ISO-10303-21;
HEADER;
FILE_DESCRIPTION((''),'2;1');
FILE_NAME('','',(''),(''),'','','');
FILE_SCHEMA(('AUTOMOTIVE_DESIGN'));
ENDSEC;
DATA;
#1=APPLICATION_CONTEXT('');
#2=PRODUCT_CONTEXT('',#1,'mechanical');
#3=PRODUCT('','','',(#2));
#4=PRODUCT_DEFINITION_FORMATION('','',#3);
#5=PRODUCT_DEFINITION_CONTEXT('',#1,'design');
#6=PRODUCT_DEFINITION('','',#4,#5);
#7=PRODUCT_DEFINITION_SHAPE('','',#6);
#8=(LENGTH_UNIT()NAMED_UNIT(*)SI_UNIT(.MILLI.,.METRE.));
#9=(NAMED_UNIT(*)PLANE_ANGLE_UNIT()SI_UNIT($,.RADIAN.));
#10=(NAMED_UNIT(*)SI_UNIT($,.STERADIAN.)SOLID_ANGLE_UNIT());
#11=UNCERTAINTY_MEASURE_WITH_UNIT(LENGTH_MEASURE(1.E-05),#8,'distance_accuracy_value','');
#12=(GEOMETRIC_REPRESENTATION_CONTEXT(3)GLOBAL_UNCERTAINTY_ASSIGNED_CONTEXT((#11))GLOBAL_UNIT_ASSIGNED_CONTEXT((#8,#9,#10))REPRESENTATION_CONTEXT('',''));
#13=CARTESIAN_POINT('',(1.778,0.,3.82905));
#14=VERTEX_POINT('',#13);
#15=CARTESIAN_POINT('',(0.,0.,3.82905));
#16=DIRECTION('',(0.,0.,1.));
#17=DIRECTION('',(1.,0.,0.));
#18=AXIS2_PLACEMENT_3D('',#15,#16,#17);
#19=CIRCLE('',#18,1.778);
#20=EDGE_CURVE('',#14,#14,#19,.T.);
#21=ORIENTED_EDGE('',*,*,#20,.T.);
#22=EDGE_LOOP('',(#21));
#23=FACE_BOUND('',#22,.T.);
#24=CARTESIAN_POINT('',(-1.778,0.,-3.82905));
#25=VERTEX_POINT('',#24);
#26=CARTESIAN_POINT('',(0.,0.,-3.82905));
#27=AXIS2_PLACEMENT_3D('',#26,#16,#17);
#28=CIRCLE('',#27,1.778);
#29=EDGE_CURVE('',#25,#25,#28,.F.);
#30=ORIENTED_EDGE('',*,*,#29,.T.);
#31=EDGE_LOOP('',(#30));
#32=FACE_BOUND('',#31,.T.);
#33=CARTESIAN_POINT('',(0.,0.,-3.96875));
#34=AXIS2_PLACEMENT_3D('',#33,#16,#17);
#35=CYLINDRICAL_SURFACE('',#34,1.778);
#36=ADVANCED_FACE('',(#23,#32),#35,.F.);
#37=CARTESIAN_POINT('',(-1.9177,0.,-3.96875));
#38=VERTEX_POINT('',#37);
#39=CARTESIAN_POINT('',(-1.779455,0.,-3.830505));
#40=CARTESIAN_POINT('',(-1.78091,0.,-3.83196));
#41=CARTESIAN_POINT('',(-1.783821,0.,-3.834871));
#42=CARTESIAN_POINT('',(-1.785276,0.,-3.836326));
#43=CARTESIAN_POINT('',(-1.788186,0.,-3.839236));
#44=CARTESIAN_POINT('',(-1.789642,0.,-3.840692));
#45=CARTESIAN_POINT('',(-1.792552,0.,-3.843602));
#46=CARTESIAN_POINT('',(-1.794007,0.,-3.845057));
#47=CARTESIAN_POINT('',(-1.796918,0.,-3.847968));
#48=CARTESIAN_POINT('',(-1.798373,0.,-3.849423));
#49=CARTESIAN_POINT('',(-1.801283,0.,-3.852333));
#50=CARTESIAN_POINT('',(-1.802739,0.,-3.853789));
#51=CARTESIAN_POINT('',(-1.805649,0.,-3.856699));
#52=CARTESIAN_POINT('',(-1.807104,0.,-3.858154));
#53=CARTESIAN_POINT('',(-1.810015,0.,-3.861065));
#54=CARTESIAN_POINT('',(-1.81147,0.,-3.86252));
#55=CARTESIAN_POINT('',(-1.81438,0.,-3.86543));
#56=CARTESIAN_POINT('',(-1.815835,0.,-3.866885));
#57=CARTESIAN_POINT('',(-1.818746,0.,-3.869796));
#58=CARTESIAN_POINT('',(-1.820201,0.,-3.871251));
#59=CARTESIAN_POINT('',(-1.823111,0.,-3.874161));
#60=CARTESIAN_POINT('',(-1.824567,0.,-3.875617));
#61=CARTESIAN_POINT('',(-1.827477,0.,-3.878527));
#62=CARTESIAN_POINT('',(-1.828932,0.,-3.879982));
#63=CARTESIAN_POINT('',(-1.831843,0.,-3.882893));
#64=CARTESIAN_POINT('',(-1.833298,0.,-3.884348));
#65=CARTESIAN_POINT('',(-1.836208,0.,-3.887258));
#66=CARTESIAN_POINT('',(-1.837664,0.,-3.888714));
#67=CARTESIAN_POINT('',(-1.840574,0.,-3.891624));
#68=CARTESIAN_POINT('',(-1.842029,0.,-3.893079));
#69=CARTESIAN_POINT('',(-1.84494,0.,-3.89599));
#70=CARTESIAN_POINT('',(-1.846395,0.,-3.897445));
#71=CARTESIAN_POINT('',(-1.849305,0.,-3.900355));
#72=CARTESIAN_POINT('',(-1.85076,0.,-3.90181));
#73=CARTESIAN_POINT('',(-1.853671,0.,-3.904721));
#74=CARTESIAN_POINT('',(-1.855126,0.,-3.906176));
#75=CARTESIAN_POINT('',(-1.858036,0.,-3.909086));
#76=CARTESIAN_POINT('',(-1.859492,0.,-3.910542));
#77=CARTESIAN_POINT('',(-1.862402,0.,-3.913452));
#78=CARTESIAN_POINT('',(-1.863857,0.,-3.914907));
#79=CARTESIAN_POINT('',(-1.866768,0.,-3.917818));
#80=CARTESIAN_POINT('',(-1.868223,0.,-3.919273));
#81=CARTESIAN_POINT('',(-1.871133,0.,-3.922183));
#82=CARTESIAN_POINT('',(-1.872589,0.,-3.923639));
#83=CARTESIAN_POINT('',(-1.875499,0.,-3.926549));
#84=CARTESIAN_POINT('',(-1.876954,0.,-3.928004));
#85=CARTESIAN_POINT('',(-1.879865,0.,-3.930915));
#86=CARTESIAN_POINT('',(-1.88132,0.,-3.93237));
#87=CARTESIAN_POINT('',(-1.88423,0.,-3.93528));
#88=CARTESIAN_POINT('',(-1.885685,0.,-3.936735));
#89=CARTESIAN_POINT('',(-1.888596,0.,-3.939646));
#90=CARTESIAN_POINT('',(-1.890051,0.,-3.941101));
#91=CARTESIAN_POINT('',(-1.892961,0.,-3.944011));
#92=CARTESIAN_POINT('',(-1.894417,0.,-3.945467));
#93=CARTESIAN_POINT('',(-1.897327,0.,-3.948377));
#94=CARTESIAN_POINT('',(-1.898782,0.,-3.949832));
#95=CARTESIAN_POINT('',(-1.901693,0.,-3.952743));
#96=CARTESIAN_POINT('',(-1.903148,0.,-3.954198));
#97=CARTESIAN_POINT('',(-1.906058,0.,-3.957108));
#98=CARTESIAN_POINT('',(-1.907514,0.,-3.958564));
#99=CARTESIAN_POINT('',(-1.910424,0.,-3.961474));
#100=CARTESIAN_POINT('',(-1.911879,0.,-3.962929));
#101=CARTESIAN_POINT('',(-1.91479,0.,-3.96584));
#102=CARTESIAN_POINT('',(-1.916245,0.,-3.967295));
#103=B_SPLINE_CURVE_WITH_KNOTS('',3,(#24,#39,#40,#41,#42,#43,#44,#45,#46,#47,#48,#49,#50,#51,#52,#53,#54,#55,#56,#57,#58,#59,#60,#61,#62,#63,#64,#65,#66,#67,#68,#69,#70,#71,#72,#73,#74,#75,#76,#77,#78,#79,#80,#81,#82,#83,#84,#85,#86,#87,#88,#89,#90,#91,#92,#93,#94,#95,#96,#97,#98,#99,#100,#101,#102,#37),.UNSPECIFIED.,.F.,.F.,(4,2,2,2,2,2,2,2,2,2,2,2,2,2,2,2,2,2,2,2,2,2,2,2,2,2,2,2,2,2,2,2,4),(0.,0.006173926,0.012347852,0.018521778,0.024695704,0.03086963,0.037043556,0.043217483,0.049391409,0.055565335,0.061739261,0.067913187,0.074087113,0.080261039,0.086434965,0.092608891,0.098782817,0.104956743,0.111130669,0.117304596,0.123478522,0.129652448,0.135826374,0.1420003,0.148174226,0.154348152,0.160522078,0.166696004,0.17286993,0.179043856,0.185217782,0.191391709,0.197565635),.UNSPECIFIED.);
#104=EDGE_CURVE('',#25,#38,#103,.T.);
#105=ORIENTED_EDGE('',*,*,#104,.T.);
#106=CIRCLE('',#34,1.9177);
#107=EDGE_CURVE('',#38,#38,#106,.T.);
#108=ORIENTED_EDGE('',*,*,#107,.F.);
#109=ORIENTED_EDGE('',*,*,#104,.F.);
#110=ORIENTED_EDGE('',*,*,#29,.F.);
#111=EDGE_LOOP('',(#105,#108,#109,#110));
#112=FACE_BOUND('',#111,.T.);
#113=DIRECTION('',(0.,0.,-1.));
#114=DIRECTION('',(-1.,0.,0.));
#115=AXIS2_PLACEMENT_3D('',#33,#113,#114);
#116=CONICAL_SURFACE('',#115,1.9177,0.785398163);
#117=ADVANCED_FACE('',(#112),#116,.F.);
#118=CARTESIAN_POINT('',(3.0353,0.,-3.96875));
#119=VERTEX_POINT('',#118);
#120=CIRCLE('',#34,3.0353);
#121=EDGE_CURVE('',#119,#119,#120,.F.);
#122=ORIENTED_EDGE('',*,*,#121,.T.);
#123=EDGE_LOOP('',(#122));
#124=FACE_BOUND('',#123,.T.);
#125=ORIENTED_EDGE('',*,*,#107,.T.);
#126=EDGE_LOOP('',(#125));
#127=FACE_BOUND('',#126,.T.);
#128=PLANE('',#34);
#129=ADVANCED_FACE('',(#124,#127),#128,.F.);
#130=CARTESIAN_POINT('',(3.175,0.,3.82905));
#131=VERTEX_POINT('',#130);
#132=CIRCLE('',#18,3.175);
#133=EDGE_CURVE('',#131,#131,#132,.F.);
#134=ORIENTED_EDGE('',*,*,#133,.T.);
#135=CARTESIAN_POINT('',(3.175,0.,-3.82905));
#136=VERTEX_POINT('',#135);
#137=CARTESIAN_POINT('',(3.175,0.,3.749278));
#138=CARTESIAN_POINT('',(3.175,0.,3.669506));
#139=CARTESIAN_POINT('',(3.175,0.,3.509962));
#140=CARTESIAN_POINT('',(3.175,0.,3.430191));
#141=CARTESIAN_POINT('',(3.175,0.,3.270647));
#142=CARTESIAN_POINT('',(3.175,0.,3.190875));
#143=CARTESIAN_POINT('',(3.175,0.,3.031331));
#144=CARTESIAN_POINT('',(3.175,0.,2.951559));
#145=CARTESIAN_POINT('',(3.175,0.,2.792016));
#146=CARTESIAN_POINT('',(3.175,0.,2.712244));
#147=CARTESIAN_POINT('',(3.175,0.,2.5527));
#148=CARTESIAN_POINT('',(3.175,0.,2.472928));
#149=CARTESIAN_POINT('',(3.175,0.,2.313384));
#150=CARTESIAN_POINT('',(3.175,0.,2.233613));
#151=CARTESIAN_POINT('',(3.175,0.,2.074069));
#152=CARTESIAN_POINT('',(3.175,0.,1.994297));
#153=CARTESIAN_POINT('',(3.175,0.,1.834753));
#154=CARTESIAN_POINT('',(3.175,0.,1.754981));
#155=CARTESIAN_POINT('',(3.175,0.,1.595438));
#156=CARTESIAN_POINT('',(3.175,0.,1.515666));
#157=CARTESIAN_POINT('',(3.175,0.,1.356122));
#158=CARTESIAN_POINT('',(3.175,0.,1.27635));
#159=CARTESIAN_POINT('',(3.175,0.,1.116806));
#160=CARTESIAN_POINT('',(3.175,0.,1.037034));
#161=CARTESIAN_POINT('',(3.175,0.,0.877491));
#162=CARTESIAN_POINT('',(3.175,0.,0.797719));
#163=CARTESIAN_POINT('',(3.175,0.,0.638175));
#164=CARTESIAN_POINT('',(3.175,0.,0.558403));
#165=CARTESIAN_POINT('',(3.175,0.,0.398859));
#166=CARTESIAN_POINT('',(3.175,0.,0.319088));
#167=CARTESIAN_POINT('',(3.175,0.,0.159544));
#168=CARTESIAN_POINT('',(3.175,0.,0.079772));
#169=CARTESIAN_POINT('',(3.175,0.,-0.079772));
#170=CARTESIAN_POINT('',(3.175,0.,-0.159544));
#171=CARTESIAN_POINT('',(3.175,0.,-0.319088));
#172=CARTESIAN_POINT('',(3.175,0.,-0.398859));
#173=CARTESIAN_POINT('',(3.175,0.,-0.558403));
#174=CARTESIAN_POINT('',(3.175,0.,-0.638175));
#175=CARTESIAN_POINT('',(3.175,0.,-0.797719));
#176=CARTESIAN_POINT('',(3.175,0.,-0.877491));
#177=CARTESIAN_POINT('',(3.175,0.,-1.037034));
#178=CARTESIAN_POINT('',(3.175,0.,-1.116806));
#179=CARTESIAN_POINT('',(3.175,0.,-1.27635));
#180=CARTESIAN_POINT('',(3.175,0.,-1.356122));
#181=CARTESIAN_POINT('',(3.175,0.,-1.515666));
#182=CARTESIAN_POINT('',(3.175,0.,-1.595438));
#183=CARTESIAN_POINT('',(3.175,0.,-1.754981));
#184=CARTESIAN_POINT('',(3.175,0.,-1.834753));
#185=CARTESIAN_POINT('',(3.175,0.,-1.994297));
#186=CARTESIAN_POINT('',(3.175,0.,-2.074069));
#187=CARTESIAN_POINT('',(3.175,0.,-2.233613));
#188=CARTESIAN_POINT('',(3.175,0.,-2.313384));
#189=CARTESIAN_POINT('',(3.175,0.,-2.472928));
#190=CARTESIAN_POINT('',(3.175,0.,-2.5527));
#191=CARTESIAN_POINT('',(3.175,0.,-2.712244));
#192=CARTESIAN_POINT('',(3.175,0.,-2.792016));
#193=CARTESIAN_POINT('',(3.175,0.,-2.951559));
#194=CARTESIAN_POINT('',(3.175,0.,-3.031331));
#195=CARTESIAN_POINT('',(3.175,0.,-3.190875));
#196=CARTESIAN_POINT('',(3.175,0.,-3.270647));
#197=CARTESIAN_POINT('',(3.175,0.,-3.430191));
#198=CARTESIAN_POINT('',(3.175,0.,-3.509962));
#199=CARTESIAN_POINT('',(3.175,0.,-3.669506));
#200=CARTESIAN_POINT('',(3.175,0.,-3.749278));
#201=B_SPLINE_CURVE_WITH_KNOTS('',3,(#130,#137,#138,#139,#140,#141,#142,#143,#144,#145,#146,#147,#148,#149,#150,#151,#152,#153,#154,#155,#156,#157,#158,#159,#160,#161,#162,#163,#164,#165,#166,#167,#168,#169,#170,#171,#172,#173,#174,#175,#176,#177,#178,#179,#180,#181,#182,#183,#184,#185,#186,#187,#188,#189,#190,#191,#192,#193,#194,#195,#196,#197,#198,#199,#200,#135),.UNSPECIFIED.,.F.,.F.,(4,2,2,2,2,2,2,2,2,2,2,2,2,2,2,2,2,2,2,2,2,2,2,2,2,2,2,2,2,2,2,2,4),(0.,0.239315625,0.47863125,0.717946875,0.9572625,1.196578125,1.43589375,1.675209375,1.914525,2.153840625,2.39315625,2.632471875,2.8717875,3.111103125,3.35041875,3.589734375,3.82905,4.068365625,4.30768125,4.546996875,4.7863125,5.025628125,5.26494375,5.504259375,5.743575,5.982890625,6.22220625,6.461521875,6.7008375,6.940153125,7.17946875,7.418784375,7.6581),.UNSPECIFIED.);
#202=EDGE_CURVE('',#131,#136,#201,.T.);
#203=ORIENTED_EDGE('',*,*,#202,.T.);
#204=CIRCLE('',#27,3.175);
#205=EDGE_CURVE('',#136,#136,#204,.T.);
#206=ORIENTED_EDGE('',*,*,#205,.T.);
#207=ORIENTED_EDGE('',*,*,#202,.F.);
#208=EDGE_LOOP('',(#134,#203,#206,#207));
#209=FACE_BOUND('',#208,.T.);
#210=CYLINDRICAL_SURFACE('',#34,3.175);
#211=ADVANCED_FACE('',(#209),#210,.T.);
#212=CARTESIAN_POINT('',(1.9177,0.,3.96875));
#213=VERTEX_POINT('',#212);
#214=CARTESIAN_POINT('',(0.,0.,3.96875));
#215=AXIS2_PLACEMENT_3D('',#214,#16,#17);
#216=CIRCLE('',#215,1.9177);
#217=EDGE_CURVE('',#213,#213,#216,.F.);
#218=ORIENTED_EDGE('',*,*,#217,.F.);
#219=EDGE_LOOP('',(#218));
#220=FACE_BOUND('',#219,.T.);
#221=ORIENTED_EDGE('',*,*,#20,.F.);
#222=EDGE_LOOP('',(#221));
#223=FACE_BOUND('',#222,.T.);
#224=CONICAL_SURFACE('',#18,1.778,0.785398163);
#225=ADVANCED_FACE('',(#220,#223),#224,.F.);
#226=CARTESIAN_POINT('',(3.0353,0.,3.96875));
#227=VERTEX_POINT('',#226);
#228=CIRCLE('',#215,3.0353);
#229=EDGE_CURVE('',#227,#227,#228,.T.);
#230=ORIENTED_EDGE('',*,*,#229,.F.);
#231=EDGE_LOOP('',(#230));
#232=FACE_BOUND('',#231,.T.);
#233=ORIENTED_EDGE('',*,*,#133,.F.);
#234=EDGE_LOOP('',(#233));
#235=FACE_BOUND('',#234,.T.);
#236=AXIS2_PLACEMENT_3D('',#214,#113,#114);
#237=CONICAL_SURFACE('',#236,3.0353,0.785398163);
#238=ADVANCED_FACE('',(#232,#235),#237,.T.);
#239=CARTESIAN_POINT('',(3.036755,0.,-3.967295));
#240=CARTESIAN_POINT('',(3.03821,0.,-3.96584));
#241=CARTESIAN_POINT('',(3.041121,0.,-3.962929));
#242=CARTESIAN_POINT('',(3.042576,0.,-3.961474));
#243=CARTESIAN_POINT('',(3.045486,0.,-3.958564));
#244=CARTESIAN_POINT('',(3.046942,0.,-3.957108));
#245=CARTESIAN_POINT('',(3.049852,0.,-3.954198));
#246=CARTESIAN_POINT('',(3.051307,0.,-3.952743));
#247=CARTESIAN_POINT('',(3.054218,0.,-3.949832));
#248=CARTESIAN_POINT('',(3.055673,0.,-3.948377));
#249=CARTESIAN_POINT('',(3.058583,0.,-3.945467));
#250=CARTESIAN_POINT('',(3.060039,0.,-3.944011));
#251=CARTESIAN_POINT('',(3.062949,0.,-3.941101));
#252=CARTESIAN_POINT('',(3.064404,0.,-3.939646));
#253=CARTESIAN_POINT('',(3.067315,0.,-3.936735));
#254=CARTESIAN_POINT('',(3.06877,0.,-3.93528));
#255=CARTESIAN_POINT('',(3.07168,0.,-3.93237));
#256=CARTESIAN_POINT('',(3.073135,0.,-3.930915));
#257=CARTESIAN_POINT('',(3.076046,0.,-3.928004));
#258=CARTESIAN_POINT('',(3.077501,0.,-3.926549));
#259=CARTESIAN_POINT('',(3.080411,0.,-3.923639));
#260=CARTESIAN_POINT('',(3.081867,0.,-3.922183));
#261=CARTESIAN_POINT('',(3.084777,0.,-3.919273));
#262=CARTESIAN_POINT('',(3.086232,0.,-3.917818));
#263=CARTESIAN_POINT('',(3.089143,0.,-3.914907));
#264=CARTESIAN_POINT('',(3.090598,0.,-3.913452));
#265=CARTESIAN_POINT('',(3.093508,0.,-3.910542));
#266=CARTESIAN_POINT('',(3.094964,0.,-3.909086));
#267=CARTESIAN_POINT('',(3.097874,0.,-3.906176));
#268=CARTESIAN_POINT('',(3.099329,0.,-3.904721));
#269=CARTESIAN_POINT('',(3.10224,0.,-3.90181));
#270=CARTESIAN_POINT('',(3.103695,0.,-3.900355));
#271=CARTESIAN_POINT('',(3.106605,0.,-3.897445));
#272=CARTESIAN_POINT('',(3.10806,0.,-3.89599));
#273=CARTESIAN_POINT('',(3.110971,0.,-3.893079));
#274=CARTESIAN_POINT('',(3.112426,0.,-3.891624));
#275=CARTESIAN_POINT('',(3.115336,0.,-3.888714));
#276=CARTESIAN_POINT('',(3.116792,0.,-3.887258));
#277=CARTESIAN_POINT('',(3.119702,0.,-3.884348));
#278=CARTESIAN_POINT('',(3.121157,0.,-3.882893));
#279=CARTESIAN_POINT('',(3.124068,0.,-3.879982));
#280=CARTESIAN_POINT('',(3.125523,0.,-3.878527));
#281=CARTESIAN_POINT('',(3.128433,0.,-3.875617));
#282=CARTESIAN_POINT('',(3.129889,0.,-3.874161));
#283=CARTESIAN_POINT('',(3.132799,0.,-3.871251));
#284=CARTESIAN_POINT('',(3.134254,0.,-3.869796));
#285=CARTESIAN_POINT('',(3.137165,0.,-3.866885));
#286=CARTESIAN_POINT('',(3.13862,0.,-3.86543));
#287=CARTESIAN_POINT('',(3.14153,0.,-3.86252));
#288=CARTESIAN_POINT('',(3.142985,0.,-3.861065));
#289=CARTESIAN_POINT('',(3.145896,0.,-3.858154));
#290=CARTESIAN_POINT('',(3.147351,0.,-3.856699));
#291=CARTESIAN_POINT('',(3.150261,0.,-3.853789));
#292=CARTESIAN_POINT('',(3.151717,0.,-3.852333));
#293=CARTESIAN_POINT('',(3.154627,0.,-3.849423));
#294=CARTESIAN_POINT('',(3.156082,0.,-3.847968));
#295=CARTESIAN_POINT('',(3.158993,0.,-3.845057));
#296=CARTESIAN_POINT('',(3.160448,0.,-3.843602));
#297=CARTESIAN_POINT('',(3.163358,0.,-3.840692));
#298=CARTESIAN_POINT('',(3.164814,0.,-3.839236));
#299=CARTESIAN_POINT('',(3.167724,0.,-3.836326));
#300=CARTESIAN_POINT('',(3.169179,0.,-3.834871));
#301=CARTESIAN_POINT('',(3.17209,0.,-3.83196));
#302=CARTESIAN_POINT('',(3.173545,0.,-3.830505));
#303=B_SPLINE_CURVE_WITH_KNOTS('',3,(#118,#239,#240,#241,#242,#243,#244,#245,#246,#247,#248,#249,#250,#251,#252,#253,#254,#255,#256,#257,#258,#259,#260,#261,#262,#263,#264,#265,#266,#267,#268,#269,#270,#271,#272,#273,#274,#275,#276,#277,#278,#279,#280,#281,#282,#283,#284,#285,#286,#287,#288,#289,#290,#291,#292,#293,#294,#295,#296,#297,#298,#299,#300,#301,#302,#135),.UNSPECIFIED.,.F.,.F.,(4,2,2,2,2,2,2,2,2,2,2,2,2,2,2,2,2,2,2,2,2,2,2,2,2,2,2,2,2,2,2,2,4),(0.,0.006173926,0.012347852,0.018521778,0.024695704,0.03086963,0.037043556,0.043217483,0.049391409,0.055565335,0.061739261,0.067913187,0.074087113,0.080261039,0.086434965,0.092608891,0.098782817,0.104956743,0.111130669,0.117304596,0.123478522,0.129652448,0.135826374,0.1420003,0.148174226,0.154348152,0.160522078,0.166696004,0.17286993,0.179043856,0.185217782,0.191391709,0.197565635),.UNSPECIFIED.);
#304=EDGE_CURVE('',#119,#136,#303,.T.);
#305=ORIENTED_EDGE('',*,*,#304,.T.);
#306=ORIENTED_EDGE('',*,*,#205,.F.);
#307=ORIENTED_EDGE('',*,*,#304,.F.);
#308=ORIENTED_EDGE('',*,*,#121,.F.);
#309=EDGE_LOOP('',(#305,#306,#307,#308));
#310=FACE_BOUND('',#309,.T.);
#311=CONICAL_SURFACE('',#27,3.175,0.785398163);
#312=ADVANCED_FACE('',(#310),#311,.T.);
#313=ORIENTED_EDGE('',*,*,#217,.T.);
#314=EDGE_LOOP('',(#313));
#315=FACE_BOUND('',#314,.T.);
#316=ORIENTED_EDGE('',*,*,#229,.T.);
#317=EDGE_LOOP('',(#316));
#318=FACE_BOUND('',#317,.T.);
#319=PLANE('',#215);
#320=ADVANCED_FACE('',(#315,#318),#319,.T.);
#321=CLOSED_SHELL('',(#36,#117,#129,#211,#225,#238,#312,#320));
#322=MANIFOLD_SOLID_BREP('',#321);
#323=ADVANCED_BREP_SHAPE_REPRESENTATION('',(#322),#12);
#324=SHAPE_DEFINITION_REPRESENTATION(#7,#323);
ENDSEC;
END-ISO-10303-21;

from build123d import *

# Parameters (mm, degrees)
BOSS_EXTRUDE1_DEPTH      = 3.96875
BOSS_EXTRUDE1_DEPTH_BACK = 3.96875
SKETCH3_R                = 3.175
SKETCH3_R_2              = 1.778
CHAMFER1_SIZE            = 0.1397


with BuildPart() as part:
    # Sketch3 → Boss-Extrude1 (new, two sides: drawn at the far end of the back side and taken through both)
    with BuildSketch(Plane.XY.offset(-BOSS_EXTRUDE1_DEPTH_BACK)):
        Circle(SKETCH3_R)
        Circle(SKETCH3_R_2, mode=Mode.SUBTRACT)
    extrude(amount=BOSS_EXTRUDE1_DEPTH + BOSS_EXTRUDE1_DEPTH_BACK)

    # Chamfer1
    chamfer1_edges = [part.edges().sort_by_distance(p)[0] for p in [
        (-3.175, 0, -3.96875),
        (-1.778, 0, -3.96875),
        (-3.175, 0, 3.96875),
        (-1.778, 0, 3.96875),
    ]]
    chamfer(chamfer1_edges, length=CHAMFER1_SIZE)


solid = part.part
